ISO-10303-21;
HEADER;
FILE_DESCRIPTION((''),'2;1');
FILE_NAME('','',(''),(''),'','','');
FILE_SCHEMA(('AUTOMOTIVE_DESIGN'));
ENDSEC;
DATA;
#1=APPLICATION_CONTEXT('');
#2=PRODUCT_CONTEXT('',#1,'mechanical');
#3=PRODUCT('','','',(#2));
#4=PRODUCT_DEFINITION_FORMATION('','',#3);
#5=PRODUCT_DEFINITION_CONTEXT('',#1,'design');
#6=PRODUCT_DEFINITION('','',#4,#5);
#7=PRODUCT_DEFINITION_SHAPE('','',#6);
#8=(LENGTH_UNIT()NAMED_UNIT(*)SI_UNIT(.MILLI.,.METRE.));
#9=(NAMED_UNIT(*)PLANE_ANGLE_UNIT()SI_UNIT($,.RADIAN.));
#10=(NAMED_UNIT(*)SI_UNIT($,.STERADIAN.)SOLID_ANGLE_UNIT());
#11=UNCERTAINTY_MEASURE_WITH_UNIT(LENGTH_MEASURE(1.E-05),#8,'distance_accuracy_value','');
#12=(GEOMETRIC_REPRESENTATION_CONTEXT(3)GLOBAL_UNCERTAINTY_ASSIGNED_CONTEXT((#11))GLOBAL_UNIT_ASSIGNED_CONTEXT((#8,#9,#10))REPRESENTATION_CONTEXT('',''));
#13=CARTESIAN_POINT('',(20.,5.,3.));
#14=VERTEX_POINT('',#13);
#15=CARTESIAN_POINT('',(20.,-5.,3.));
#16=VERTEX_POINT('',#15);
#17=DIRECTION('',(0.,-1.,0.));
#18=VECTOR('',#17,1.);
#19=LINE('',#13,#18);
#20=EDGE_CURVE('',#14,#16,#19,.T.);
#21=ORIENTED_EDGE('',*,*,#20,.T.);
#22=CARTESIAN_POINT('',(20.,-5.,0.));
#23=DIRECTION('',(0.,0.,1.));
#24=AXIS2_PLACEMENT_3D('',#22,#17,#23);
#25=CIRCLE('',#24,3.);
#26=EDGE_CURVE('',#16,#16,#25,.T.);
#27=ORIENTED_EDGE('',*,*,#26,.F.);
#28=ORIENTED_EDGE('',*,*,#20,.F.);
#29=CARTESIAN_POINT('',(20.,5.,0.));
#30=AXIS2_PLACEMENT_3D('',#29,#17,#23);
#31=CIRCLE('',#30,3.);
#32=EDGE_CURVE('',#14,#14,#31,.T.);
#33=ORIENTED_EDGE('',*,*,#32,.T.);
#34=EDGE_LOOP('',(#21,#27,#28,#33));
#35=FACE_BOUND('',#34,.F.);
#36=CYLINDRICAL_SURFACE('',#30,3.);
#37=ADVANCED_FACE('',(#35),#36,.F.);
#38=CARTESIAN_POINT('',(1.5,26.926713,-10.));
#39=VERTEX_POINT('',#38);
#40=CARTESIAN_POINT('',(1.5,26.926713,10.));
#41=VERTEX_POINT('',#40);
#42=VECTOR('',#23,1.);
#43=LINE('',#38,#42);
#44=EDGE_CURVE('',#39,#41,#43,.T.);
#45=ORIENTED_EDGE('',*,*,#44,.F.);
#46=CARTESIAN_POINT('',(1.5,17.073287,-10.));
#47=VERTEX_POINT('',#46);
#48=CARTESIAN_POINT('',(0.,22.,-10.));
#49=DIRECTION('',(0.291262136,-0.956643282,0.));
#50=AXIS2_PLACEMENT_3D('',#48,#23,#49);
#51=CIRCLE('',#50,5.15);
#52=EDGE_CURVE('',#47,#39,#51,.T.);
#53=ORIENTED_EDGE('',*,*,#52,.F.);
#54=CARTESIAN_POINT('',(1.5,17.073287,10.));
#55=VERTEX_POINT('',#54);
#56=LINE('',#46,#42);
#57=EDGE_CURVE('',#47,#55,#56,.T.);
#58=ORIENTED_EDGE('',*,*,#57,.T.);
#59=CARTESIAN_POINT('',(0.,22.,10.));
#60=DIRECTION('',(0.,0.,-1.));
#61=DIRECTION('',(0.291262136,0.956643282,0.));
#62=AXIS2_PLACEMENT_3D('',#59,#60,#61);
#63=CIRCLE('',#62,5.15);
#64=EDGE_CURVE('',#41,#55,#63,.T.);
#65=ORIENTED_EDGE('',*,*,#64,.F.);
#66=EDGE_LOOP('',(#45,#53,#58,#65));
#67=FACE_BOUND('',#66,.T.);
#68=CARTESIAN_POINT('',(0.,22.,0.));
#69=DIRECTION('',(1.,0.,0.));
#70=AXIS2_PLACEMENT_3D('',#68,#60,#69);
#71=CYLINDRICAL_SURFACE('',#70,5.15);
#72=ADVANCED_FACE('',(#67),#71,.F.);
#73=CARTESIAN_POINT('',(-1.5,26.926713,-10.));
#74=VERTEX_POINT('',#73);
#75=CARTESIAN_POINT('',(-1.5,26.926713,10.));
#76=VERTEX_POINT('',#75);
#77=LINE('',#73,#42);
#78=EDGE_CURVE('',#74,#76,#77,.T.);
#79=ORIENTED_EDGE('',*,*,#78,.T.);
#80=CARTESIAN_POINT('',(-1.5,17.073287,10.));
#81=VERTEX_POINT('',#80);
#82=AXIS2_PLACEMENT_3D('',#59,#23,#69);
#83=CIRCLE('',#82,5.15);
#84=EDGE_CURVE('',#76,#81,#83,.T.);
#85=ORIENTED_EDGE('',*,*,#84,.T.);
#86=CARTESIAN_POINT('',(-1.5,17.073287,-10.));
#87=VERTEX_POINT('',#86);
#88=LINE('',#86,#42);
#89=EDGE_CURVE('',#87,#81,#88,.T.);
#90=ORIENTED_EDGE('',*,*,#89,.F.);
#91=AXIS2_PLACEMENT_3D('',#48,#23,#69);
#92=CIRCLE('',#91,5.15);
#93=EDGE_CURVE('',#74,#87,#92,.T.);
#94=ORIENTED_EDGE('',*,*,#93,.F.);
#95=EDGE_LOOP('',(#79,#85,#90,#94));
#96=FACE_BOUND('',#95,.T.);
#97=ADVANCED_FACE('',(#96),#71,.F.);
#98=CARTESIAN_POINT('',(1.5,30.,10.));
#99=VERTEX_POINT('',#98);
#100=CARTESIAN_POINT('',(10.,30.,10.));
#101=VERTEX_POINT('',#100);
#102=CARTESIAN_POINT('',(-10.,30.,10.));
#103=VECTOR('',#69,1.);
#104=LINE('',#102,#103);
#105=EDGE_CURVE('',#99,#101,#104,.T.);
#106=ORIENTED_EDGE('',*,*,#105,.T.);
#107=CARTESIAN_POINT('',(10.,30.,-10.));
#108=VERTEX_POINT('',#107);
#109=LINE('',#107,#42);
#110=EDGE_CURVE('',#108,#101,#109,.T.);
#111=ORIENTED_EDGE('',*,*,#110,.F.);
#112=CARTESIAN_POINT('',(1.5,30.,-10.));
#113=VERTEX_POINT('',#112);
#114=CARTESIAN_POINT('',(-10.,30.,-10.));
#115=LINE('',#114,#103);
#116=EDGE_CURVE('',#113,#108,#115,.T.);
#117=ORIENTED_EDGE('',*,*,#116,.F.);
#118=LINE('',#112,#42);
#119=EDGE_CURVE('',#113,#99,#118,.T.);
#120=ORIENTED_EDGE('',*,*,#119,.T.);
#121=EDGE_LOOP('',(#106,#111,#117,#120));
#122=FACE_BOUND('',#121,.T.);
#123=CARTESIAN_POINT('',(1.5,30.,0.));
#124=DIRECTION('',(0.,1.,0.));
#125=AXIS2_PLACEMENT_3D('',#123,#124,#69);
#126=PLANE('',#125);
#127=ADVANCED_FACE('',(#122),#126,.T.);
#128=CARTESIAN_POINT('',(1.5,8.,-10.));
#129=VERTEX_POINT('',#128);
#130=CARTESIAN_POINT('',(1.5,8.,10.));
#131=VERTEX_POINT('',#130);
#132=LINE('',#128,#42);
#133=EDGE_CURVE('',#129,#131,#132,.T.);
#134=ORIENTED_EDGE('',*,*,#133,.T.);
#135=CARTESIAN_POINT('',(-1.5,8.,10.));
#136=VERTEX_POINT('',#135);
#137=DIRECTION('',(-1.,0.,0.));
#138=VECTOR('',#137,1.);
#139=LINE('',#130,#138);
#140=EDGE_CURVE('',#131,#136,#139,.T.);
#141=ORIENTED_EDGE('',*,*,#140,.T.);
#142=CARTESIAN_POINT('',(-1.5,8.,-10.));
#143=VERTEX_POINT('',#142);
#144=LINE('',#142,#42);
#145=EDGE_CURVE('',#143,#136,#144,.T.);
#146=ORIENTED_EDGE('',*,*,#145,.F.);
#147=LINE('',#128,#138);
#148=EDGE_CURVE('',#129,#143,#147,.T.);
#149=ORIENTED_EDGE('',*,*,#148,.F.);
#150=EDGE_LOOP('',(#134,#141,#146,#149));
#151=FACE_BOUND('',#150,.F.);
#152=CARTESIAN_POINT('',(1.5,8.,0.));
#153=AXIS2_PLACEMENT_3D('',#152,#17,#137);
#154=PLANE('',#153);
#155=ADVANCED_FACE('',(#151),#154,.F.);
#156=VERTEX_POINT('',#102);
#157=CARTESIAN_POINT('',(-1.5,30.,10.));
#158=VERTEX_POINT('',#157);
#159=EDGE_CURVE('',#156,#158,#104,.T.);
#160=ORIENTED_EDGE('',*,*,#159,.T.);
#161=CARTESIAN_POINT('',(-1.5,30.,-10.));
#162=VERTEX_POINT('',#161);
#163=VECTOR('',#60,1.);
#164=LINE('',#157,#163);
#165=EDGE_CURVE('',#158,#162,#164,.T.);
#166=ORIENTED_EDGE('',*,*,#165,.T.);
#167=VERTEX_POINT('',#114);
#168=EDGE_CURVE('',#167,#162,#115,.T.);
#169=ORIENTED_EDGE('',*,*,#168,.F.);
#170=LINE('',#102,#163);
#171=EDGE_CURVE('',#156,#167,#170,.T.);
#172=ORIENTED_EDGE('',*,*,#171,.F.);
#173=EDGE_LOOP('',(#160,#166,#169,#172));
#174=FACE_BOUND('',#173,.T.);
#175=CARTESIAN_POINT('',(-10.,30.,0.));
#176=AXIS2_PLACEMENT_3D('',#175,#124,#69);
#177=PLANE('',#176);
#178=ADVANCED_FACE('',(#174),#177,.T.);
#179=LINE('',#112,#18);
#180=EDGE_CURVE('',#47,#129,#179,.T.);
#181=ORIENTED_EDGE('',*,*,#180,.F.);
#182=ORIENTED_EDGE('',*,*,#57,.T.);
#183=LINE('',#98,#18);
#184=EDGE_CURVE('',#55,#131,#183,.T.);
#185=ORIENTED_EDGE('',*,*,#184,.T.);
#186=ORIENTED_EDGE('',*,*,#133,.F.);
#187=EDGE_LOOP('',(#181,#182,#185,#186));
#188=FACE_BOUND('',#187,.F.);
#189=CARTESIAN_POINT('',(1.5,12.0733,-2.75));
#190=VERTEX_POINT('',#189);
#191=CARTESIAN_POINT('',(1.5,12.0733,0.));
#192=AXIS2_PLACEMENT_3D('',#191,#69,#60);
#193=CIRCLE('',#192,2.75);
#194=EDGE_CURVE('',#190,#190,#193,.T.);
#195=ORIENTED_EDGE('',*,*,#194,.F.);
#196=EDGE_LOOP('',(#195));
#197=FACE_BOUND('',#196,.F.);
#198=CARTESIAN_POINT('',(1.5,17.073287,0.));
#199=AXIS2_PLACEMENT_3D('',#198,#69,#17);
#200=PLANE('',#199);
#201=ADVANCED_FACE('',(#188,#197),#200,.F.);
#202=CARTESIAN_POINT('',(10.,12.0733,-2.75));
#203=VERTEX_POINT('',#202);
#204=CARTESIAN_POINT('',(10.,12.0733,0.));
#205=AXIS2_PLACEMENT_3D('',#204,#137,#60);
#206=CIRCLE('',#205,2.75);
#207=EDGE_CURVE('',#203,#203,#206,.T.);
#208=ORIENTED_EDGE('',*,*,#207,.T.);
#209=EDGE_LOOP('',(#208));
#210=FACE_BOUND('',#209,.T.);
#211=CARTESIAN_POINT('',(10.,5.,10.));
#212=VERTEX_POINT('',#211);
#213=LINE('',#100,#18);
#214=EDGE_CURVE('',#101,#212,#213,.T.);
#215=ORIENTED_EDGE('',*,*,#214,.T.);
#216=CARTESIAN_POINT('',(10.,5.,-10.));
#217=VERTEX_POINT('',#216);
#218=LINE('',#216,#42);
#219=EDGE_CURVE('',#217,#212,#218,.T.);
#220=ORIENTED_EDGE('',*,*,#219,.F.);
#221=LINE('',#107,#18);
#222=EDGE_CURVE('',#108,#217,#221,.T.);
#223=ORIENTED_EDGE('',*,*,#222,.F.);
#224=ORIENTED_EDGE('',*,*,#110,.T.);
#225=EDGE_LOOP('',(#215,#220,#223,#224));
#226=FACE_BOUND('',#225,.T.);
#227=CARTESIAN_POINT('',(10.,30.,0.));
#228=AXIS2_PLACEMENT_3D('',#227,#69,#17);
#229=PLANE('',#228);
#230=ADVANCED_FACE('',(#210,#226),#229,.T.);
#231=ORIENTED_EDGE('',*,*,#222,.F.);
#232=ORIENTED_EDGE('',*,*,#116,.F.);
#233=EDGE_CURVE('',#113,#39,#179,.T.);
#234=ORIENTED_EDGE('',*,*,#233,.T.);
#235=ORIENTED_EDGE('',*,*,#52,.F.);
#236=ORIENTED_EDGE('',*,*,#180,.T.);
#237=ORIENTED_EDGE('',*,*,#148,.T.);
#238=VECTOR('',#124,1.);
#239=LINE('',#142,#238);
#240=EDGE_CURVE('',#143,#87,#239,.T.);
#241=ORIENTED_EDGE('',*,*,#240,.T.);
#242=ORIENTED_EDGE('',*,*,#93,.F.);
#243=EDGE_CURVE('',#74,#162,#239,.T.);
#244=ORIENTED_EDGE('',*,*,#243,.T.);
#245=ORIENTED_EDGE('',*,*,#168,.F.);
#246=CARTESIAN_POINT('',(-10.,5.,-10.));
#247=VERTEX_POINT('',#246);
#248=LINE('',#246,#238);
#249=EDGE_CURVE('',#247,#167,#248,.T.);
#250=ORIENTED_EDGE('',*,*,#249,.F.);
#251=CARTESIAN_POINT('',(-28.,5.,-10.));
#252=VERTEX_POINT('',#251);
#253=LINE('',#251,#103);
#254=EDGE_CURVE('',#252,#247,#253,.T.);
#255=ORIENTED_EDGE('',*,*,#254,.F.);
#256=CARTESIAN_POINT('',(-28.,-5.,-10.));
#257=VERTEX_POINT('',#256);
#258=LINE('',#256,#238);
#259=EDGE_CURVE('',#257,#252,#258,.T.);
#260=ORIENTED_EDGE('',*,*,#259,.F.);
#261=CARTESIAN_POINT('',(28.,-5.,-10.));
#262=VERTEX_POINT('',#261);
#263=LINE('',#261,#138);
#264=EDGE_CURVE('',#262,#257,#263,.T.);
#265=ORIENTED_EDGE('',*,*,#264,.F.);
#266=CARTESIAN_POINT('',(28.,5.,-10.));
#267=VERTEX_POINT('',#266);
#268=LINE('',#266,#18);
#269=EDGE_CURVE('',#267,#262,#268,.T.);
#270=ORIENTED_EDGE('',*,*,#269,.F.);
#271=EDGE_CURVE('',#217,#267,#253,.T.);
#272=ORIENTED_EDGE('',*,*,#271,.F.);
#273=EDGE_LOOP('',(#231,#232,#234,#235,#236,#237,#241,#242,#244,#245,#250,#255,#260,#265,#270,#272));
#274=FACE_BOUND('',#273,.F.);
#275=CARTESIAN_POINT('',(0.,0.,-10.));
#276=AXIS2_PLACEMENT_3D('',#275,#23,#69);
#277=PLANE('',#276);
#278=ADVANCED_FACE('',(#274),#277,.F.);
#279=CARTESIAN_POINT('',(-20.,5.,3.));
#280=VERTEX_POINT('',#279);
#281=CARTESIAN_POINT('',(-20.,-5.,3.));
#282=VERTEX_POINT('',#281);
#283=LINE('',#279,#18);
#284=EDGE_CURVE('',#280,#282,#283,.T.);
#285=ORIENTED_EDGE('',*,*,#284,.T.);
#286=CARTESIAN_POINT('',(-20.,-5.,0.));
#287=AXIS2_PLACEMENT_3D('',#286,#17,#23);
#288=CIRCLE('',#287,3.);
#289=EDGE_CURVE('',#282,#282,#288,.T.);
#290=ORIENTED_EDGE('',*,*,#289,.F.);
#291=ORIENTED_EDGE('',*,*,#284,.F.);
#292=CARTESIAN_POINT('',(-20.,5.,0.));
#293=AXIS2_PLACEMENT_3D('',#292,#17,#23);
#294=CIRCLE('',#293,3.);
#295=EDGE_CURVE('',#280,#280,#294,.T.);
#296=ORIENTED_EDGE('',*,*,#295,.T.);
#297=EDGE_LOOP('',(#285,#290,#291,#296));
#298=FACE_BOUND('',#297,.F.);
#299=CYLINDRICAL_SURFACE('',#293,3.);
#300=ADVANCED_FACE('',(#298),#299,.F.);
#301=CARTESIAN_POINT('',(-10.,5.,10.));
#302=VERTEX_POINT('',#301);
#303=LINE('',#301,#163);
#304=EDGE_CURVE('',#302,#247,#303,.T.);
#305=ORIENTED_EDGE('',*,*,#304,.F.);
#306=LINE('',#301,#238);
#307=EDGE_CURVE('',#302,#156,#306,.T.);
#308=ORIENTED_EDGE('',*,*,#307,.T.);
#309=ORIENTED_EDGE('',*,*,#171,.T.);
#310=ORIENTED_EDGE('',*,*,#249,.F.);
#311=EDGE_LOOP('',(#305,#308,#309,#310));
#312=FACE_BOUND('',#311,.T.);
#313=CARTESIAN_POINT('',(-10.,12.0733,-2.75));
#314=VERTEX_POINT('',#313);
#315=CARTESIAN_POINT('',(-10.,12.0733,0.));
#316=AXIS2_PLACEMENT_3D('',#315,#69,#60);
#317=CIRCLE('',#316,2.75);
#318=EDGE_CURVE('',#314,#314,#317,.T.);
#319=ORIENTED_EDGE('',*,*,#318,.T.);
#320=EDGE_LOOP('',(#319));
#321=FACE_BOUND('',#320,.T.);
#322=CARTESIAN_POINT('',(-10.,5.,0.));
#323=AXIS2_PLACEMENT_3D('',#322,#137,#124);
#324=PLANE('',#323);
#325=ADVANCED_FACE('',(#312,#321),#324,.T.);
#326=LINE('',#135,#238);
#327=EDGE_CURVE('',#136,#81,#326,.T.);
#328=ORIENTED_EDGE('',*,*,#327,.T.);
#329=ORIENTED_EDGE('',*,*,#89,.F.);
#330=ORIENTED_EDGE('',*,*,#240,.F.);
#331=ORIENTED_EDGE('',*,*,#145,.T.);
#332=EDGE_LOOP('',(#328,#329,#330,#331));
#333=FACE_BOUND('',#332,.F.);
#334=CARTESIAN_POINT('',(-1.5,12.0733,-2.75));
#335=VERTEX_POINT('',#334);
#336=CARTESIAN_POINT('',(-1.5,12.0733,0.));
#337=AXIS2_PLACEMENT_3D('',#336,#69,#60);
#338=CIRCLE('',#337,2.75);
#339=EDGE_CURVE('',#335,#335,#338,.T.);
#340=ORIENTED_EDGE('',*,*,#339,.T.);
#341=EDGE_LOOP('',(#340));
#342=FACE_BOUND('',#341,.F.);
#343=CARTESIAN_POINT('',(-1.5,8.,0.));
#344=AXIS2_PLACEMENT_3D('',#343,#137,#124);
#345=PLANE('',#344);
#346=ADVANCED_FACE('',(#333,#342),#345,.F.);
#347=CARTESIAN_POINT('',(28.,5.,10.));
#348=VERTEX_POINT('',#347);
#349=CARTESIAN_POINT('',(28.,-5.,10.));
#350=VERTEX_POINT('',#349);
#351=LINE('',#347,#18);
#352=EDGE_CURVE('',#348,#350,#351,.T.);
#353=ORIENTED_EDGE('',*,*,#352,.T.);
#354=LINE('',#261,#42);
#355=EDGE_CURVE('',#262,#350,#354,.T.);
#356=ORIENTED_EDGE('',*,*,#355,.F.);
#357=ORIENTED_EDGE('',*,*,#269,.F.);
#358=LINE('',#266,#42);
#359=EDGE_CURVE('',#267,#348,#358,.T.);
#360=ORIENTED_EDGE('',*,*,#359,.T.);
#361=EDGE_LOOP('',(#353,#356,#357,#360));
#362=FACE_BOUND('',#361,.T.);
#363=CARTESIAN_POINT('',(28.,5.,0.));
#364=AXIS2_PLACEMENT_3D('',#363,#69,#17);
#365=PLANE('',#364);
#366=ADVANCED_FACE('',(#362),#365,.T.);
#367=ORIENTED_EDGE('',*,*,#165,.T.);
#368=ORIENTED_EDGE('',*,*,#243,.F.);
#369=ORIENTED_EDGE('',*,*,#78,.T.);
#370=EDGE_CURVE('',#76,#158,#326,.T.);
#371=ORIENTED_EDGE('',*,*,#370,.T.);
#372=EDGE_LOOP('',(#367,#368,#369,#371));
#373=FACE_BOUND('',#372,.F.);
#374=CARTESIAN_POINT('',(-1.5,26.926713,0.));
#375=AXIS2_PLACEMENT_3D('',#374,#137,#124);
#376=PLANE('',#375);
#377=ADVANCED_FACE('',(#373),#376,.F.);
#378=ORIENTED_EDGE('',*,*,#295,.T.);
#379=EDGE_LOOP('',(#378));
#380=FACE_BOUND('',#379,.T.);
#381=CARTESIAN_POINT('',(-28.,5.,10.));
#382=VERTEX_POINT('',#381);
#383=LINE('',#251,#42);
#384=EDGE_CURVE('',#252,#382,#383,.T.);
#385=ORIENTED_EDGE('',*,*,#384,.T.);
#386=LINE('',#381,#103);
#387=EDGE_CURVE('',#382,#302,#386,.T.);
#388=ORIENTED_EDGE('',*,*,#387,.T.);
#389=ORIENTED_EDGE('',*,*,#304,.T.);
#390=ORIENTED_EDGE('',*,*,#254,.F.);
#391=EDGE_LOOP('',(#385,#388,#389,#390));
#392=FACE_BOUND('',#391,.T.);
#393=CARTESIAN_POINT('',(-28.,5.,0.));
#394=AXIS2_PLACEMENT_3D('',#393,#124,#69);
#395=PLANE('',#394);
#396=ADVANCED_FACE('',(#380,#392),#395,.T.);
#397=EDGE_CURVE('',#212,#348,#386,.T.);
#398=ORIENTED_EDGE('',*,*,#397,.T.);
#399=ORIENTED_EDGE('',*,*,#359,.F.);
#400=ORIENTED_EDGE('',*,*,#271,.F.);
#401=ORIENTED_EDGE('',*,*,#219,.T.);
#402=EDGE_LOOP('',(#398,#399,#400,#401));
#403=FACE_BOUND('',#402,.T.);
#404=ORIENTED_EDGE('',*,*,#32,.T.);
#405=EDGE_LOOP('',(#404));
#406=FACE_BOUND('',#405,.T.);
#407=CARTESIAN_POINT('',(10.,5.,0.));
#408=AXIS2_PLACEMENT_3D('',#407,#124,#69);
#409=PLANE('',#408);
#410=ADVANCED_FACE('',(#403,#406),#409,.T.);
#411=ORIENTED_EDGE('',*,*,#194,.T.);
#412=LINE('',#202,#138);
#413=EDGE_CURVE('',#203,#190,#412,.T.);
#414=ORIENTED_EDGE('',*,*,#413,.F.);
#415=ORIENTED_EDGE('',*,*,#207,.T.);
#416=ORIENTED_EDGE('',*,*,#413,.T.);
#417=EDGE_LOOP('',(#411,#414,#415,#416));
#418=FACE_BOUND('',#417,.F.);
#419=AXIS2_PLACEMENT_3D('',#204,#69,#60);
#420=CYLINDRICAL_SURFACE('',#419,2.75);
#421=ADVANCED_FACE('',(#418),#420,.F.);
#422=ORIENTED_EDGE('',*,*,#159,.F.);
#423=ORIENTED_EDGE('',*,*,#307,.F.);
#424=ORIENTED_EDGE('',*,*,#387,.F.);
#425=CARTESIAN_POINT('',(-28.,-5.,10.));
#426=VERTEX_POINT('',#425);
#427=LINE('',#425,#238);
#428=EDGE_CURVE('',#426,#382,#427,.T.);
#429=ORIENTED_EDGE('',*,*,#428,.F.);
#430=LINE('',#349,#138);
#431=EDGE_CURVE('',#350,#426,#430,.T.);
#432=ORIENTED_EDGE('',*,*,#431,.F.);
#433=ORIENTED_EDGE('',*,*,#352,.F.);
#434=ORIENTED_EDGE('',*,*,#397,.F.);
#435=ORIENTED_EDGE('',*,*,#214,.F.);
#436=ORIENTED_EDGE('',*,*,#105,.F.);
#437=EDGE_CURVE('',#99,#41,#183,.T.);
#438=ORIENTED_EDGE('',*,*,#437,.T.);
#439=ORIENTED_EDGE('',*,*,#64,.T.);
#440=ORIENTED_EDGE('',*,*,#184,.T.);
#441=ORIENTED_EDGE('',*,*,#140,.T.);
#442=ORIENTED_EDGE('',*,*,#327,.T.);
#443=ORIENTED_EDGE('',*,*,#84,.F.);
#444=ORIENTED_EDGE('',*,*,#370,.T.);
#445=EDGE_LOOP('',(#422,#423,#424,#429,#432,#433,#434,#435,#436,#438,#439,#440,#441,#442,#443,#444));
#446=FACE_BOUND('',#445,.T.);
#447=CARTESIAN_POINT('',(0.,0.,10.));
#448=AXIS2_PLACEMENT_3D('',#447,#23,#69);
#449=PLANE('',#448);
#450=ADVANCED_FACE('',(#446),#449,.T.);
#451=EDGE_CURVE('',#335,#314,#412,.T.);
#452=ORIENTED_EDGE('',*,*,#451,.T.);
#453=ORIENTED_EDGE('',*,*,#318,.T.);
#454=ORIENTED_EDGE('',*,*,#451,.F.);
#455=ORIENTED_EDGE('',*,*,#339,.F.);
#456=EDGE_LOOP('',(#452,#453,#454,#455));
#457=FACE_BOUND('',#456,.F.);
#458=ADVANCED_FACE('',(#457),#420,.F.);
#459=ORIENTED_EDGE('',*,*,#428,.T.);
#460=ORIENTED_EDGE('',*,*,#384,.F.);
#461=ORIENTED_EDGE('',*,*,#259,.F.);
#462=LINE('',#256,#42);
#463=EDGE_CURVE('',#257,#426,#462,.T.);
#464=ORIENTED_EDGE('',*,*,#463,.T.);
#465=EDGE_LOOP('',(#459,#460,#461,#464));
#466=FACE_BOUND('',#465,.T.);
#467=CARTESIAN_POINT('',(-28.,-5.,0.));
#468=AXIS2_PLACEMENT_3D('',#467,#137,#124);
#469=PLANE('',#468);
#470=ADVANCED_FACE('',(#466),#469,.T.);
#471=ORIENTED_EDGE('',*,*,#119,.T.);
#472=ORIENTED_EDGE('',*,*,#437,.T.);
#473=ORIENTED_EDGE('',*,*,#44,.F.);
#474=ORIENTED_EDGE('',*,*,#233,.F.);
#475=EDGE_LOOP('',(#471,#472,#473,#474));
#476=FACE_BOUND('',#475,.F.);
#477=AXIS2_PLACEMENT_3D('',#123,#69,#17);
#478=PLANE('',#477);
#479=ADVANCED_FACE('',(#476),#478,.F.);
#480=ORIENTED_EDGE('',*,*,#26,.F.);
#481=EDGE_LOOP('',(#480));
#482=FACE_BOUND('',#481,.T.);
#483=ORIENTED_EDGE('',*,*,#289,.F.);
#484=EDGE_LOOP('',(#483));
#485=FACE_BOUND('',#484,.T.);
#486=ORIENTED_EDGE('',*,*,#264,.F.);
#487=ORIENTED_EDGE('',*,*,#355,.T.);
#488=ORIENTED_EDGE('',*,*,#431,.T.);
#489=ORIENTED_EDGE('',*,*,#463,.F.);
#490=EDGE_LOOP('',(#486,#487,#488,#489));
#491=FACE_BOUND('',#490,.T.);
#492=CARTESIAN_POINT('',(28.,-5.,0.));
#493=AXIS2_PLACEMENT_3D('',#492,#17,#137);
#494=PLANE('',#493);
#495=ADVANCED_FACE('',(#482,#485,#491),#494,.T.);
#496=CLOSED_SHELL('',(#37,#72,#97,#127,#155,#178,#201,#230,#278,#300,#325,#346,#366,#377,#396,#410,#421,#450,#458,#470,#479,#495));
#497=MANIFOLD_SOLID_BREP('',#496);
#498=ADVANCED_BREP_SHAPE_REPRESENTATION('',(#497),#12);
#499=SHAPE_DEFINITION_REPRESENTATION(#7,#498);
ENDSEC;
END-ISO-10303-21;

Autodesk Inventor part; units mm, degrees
ref_plane "YZ Plane" through (0, 0, 0) normal (1, 0, 0) x (0, 1, 0)
ref_plane "XZ Plane" through (0, 0, 0) normal (0, 1, 0) x (-1, 0, 0)
ref_plane "XY Plane" through (0, 0, 0) normal (0, 0, 1) x (1, 0, 0)
sketch "Sketch1" plane through (0, 0, 0) normal (0, 0, 1) x (1, 0, 0)
  line L0 (-28, 5) -> (28, 5)
  line L1 (28, 5) -> (28, -5)
  line L2 (28, -5) -> (-28, -5)
  line L3 (-28, -5) -> (-28, 5)
  line L4 (-10, 30) -> (10, 30)
  line L5 (10, 30) -> (10, 5)
  line L6 (10, 5) -> (-10, 5)
  line L7 (-10, 5) -> (-10, 30)
  circle A0 centre (0, 22) radius 5.15
  line L8 (-1.5, 30) -> (1.5, 30)
  line L9 (1.5, 30) -> (1.5, 8)
  line L10 (1.5, 8) -> (-1.5, 8)
  line L11 (-1.5, 8) -> (-1.5, 30)
  point P0 (0, 0)
  point P1 (-28, 0)
  point P2 (0, 5)
  point P3 (0, 30)
  point P4 (0, 30)
  point P5 (-1.5, 17.0733)
  point P6 (-1.5, 26.9267)
  point P7 (-1.5, 30)
  point P8 (-10, 5)
  point P9 (10, 5)
  point P10 (1.5, 30)
  point P11 (1.5, 26.9267)
  point P12 (1.5, 17.0733)
  dimension "d0" = 10
  dimension "d1" = 20
  dimension "d2" = 10.3
  dimension "d3" = 17
  dimension "d4" = 8
  dimension "d5" = 3
  dimension "d6" = 14
  dimension "d7" = 18
extrude "Extrusion1" add sketch "Sketch1" along normal mid plane 20 contours L0 L1 L2 L3 | L7 L4 L11 A0 L10 L9 L5 L0
sketch "Sketch2" plane through (10, 5, 10) normal (0, 1, 0) x (1, 0, 0)
  line L0 (0, 20) -> (18, 20) projected
  line L1 (-38, 20) -> (-20, 20) projected
  line L2 (-38, 20) -> (-38, 0) projected
  line L3 (18, 20) -> (18, 0) projected
  point P0 (-10, 10)
  point P1 (-30, 10)
  point P2 (10, 10)
  point P3 (-38, 10)
  point P4 (18, 10)
  dimension "d25" = 8
  dimension "d26" = 8
hole "Hole1" at (-20, 5, 0) at (20, 5, 0) direction (0, -1, 0) diameter 6 end through all
sketch "Sketch3" plane through (10, 5, 10) normal (1, 0, 0) x (0, 0, -1)
  line L0 (20, 25) -> (0, 25) projected
  circle A0 centre (10, 7.0733) radius 2.75
  line L1 (20, 25) -> (0, 25) projected
  line L2 (0, 25) -> (8, 25)
  line L3 (8, 25) -> (8, 0)
  line L4 (8, 0) -> (0, 0)
  line L5 (0, 0) -> (0, 25)
  line L6 (20, 0) -> (0, 0) projected
  line L7 (12, 25) -> (20, 25)
  line L8 (20, 25) -> (20, 0)
  line L9 (20, 0) -> (12, 0)
  line L10 (12, 0) -> (12, 25)
  line L11 (20, 25) -> (20, 0) projected
  line L12 (20, 12.0733) -> (0, 12.0733) projected
  point P0 (10, -5)
  point P1 (10, 25)
  point P2 (12, 0)
  dimension "d18" = 5.5
  dimension "d19" = 8
  dimension "d21" = 8
  dimension "d24" = 5
extrude "Extrusion2" cut sketch "Sketch3" against normal through all contours L10 A0 L3 | A0 L10 | L3 A0
equation "\"d21\" = d19"
properties part number "0008-10-020 Suport Axa Y"
